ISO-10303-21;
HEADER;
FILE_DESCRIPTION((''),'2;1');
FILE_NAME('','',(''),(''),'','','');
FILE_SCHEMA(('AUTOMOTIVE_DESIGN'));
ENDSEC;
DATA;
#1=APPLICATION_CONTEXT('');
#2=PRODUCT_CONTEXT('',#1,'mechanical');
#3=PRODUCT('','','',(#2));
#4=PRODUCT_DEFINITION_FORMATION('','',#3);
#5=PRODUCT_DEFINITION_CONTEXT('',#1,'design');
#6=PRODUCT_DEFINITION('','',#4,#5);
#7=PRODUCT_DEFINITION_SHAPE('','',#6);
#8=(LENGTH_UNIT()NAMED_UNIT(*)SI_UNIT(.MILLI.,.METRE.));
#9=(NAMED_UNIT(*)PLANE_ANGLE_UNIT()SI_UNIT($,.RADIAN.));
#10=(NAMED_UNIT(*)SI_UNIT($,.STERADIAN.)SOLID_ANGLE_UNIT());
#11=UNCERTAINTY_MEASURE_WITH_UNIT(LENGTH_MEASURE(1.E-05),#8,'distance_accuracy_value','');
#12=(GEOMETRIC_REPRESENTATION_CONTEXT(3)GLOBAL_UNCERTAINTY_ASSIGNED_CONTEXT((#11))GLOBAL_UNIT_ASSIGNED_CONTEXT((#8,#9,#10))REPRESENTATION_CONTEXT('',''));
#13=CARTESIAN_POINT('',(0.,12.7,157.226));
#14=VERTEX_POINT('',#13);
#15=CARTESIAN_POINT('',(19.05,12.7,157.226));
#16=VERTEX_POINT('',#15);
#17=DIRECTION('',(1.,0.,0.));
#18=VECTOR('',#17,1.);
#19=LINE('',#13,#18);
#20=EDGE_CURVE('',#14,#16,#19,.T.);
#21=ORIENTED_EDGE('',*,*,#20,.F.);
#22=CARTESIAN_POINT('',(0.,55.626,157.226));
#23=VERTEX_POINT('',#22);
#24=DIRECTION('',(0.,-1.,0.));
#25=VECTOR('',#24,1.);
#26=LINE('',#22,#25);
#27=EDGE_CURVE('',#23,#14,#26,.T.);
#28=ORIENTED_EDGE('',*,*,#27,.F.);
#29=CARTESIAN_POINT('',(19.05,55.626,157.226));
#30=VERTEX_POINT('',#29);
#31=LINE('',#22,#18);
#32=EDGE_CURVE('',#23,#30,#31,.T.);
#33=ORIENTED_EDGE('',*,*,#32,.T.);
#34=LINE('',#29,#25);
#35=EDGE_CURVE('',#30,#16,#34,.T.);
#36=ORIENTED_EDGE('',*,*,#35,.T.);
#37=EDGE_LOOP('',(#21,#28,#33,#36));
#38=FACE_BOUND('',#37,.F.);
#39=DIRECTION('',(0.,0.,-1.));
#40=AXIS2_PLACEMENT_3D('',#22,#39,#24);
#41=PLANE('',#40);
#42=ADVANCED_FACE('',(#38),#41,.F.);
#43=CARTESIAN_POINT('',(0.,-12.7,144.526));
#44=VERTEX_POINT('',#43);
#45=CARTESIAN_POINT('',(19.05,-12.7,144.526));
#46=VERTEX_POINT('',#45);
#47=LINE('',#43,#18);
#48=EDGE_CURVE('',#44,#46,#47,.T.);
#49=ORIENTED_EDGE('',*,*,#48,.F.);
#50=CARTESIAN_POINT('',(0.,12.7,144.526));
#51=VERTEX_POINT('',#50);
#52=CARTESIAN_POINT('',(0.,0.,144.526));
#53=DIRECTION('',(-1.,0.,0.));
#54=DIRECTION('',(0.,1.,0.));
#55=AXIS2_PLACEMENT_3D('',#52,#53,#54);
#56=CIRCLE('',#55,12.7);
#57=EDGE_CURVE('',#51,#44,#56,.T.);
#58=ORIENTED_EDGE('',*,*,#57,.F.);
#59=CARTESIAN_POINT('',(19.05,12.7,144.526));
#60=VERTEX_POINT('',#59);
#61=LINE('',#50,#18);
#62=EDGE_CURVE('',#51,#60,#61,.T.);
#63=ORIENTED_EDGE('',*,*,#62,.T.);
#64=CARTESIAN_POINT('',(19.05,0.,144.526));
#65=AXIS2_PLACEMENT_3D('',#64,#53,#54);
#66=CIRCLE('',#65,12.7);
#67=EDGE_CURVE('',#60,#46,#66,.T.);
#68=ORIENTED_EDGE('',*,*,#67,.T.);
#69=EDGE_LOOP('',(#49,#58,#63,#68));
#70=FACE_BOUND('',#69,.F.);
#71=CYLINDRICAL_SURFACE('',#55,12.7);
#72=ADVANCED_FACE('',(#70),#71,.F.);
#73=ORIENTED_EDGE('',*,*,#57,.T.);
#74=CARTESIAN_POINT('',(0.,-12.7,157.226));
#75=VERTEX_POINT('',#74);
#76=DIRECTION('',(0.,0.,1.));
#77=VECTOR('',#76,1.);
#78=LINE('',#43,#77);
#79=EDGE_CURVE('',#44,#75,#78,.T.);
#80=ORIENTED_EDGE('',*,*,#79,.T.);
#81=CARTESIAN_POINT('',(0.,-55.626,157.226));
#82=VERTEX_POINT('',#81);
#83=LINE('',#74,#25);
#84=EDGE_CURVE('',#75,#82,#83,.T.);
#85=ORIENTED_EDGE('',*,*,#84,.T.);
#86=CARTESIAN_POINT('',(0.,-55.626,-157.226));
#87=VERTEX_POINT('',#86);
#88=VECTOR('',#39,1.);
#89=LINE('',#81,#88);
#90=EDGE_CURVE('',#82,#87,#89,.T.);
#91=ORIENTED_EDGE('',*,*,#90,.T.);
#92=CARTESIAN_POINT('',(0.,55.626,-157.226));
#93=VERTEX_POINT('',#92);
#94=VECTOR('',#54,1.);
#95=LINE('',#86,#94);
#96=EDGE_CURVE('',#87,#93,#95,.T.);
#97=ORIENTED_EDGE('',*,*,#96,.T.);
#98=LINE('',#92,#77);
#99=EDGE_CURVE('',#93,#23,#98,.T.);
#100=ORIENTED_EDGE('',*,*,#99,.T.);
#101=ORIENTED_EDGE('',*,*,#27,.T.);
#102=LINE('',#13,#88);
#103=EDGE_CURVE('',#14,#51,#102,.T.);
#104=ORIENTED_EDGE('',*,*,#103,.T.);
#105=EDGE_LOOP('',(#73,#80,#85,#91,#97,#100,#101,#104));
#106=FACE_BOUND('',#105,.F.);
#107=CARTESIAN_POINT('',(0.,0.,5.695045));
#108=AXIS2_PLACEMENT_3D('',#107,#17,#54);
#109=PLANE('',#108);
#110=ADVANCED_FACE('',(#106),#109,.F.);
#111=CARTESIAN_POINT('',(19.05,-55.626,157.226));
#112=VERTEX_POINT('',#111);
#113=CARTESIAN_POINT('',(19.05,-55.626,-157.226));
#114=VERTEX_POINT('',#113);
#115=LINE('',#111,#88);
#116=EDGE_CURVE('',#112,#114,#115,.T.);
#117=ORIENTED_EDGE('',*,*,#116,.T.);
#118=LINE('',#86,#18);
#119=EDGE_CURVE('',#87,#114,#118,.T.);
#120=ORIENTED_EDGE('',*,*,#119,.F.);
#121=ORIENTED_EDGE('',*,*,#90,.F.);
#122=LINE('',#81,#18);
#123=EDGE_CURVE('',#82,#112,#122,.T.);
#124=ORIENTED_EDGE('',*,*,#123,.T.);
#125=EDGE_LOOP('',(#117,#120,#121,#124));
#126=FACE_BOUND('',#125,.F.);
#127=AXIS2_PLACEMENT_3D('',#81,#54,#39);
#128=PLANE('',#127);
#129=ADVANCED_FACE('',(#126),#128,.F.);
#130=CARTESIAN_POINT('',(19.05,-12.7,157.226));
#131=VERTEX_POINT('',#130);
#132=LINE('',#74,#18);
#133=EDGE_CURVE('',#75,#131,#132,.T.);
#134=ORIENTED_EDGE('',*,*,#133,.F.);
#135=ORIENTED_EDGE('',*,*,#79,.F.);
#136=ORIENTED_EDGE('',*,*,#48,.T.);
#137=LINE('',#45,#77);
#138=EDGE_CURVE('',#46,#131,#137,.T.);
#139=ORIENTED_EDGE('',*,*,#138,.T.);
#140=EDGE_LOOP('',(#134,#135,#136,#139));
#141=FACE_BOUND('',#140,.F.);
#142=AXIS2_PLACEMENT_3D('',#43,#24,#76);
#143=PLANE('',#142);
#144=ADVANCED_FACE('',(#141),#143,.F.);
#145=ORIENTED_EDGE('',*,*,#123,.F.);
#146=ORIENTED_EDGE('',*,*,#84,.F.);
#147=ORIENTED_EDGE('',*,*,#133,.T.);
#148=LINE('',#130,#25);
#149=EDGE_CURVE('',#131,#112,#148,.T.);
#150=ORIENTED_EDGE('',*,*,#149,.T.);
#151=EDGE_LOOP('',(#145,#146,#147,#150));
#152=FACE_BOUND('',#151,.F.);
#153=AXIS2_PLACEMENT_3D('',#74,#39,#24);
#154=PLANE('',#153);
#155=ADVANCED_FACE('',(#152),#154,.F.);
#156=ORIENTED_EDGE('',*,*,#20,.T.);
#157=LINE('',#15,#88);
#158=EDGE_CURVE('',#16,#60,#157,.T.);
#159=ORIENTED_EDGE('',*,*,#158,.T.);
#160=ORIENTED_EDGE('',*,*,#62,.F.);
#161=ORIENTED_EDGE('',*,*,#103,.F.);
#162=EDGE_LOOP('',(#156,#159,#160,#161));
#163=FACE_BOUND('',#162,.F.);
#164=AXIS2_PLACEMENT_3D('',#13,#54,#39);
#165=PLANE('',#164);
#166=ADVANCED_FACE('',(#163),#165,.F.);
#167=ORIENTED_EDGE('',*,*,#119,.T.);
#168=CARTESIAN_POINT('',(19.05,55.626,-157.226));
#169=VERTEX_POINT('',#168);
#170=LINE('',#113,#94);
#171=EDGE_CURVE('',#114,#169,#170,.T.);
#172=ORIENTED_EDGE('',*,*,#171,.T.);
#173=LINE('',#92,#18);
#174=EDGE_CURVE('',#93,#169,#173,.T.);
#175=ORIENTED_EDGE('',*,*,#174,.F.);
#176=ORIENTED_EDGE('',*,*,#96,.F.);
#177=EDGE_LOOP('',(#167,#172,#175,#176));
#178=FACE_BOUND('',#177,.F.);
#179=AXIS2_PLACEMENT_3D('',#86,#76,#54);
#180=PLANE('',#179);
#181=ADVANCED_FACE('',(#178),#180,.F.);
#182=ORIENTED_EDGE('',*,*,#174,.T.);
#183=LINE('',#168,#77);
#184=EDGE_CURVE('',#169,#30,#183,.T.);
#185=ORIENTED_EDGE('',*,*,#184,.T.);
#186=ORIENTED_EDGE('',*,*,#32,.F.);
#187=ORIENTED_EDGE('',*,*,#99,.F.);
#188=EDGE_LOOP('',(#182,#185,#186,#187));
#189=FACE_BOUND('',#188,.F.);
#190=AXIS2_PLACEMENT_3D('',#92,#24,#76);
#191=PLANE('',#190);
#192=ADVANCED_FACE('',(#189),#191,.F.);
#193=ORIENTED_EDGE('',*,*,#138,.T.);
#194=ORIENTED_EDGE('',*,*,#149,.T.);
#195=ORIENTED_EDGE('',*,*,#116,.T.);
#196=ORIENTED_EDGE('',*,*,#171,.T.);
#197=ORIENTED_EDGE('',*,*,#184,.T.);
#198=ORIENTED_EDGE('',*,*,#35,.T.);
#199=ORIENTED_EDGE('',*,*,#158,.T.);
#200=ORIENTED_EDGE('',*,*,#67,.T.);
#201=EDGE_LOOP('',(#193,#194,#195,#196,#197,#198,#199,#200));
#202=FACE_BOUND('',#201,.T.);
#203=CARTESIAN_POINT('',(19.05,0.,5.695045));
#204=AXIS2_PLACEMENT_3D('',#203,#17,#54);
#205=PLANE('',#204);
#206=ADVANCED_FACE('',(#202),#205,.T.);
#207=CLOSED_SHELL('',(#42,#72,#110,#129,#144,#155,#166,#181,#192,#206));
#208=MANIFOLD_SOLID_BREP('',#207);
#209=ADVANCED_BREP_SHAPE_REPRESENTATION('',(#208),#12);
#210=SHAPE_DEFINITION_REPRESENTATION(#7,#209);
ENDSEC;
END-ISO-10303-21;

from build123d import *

# Parameters (mm, degrees)
F1_DEPTH = 19.05


with BuildPart() as f1:
    # F0 (on Right) → F1 (new body)
    with BuildSketch(Plane.YZ):
        with BuildLine():
            Line((55.626, -157.226), (55.626, 157.226))
            Line((55.626, 157.226), (12.7, 157.226))
            Line((12.7, 157.226), (12.7, 144.526))
            ThreePointArc((12.7, 144.526), (0, 131.826), (-12.7, 144.526))
            Line((-12.7, 144.526), (-12.7, 157.226))
            Line((-12.7, 157.226), (-55.626, 157.226))
            Line((-55.626, 157.226), (-55.626, -157.226))
            Line((-55.626, -157.226), (55.626, -157.226))
        make_face()
    extrude(amount=F1_DEPTH)


solid = f1.part
